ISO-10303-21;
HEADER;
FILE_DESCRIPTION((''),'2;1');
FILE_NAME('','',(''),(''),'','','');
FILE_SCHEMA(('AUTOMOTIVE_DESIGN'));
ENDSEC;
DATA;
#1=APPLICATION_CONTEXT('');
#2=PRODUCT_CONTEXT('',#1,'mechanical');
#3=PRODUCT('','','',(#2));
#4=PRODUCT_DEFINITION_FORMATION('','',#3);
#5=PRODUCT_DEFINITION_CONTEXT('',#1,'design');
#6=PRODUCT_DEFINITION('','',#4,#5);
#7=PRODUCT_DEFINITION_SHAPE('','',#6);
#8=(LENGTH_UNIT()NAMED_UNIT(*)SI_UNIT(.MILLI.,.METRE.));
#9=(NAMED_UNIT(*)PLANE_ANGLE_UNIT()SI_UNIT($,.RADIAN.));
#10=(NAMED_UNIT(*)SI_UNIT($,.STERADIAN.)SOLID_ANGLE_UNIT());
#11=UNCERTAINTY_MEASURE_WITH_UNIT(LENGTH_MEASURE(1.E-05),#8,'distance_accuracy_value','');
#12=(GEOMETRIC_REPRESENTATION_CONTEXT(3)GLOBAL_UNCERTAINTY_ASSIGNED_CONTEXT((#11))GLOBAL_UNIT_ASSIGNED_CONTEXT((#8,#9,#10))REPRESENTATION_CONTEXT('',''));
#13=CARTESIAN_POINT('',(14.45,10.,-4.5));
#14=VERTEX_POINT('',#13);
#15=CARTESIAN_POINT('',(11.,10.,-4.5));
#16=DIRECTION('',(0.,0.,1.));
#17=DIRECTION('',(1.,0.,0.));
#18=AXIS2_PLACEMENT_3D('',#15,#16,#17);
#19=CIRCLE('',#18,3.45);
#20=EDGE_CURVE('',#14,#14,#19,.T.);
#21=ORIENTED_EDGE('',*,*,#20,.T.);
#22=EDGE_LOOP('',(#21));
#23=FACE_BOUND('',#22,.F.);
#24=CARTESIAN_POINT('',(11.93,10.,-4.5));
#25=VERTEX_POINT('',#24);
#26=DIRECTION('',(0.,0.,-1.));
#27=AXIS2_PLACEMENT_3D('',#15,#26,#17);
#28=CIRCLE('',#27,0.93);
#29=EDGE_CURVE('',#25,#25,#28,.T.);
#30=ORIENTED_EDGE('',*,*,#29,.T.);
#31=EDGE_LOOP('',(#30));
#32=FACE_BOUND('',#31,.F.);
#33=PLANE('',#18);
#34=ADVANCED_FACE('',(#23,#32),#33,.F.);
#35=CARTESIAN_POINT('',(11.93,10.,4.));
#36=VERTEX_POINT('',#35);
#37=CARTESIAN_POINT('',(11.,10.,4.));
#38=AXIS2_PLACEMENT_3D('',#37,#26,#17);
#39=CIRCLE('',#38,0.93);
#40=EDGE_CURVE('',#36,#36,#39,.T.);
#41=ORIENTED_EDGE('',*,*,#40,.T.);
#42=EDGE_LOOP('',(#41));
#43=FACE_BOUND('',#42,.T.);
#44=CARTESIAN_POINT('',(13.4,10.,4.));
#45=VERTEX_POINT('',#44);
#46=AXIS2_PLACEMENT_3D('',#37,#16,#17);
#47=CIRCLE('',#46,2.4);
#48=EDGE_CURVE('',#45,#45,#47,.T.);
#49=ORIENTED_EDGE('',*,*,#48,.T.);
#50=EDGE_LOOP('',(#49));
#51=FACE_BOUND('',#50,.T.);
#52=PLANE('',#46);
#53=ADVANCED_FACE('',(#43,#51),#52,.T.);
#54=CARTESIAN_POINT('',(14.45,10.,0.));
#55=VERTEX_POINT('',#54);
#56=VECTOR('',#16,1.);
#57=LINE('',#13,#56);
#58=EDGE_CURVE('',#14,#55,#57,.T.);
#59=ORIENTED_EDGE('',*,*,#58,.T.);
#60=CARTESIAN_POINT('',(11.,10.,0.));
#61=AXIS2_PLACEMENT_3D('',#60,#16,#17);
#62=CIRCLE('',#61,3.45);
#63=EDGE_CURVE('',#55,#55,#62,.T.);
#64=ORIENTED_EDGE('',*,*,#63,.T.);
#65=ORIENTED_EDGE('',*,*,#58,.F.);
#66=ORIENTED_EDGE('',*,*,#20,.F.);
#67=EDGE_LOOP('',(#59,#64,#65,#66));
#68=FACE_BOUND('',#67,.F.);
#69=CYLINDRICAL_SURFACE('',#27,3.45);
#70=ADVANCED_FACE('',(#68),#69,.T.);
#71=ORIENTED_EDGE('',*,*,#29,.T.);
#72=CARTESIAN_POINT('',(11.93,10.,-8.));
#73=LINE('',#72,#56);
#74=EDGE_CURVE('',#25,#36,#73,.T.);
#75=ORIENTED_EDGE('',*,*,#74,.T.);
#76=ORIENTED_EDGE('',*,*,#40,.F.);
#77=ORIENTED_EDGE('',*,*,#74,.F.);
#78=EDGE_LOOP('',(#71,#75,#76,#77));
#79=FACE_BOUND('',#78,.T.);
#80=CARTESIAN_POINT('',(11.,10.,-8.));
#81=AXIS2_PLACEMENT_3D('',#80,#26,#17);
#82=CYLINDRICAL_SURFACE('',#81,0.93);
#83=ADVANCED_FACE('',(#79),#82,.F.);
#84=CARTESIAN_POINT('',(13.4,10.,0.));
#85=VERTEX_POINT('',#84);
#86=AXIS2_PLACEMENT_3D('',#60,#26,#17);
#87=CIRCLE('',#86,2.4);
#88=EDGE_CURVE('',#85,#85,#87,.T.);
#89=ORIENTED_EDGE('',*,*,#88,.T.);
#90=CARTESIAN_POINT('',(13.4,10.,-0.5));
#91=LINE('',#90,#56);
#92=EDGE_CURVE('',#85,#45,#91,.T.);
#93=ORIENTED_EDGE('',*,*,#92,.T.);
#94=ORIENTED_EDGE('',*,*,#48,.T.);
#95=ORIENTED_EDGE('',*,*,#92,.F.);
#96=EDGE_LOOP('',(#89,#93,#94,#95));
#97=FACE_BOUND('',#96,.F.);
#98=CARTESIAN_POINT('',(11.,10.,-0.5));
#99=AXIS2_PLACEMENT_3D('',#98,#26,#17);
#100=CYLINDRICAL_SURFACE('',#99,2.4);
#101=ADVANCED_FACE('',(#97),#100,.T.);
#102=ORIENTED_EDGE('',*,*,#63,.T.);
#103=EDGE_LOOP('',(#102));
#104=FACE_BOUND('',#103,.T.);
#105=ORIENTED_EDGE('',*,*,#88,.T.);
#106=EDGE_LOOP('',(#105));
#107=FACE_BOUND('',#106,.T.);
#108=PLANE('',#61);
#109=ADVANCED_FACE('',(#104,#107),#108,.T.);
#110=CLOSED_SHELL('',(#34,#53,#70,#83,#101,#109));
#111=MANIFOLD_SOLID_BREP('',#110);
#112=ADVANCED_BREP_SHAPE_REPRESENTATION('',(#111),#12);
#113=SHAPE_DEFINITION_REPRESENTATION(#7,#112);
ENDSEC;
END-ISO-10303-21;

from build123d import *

# Parameters (mm, degrees)
CYLINDER003012_R     = 0.93
CYLINDER003012_DEPTH = 20
CYLINDER003013_R     = 2.4
CYLINDER003013_DEPTH = 4.5
CYLINDER003014_R     = 3.45
CYLINDER003014_DEPTH = 4.5


with BuildPart() as cylinder013:
    # Cylinder003012 → Cylinder003012 (new body)
    with BuildSketch(Plane(origin=(11, 10, -8), x_dir=(1, 0, 0), z_dir=(0, 0, 1))):
        Circle(CYLINDER003012_R)
    extrude(amount=CYLINDER003012_DEPTH)


with BuildPart() as cylinder014:
    # Cylinder003013 → Cylinder003013 (new body)
    with BuildSketch(Plane(origin=(11, 10, -0.5), x_dir=(1, 0, 0), z_dir=(0, 0, 1))):
        Circle(CYLINDER003013_R)
    extrude(amount=CYLINDER003013_DEPTH)


with BuildPart() as propeller_hub:
    # Cylinder003014 → Cylinder003014 (new body)
    with BuildSketch(Plane(origin=(11, 10, -4.5), x_dir=(1, 0, 0), z_dir=(0, 0, 1))):
        Circle(CYLINDER003014_R)
    extrude(amount=CYLINDER003014_DEPTH)

    # Fusion001: union Cylinder014
    add(cylinder014.part)

    # Cut002002002018: cut Cylinder013
    add(cylinder013.part, mode=Mode.SUBTRACT)


solid = propeller_hub.part
